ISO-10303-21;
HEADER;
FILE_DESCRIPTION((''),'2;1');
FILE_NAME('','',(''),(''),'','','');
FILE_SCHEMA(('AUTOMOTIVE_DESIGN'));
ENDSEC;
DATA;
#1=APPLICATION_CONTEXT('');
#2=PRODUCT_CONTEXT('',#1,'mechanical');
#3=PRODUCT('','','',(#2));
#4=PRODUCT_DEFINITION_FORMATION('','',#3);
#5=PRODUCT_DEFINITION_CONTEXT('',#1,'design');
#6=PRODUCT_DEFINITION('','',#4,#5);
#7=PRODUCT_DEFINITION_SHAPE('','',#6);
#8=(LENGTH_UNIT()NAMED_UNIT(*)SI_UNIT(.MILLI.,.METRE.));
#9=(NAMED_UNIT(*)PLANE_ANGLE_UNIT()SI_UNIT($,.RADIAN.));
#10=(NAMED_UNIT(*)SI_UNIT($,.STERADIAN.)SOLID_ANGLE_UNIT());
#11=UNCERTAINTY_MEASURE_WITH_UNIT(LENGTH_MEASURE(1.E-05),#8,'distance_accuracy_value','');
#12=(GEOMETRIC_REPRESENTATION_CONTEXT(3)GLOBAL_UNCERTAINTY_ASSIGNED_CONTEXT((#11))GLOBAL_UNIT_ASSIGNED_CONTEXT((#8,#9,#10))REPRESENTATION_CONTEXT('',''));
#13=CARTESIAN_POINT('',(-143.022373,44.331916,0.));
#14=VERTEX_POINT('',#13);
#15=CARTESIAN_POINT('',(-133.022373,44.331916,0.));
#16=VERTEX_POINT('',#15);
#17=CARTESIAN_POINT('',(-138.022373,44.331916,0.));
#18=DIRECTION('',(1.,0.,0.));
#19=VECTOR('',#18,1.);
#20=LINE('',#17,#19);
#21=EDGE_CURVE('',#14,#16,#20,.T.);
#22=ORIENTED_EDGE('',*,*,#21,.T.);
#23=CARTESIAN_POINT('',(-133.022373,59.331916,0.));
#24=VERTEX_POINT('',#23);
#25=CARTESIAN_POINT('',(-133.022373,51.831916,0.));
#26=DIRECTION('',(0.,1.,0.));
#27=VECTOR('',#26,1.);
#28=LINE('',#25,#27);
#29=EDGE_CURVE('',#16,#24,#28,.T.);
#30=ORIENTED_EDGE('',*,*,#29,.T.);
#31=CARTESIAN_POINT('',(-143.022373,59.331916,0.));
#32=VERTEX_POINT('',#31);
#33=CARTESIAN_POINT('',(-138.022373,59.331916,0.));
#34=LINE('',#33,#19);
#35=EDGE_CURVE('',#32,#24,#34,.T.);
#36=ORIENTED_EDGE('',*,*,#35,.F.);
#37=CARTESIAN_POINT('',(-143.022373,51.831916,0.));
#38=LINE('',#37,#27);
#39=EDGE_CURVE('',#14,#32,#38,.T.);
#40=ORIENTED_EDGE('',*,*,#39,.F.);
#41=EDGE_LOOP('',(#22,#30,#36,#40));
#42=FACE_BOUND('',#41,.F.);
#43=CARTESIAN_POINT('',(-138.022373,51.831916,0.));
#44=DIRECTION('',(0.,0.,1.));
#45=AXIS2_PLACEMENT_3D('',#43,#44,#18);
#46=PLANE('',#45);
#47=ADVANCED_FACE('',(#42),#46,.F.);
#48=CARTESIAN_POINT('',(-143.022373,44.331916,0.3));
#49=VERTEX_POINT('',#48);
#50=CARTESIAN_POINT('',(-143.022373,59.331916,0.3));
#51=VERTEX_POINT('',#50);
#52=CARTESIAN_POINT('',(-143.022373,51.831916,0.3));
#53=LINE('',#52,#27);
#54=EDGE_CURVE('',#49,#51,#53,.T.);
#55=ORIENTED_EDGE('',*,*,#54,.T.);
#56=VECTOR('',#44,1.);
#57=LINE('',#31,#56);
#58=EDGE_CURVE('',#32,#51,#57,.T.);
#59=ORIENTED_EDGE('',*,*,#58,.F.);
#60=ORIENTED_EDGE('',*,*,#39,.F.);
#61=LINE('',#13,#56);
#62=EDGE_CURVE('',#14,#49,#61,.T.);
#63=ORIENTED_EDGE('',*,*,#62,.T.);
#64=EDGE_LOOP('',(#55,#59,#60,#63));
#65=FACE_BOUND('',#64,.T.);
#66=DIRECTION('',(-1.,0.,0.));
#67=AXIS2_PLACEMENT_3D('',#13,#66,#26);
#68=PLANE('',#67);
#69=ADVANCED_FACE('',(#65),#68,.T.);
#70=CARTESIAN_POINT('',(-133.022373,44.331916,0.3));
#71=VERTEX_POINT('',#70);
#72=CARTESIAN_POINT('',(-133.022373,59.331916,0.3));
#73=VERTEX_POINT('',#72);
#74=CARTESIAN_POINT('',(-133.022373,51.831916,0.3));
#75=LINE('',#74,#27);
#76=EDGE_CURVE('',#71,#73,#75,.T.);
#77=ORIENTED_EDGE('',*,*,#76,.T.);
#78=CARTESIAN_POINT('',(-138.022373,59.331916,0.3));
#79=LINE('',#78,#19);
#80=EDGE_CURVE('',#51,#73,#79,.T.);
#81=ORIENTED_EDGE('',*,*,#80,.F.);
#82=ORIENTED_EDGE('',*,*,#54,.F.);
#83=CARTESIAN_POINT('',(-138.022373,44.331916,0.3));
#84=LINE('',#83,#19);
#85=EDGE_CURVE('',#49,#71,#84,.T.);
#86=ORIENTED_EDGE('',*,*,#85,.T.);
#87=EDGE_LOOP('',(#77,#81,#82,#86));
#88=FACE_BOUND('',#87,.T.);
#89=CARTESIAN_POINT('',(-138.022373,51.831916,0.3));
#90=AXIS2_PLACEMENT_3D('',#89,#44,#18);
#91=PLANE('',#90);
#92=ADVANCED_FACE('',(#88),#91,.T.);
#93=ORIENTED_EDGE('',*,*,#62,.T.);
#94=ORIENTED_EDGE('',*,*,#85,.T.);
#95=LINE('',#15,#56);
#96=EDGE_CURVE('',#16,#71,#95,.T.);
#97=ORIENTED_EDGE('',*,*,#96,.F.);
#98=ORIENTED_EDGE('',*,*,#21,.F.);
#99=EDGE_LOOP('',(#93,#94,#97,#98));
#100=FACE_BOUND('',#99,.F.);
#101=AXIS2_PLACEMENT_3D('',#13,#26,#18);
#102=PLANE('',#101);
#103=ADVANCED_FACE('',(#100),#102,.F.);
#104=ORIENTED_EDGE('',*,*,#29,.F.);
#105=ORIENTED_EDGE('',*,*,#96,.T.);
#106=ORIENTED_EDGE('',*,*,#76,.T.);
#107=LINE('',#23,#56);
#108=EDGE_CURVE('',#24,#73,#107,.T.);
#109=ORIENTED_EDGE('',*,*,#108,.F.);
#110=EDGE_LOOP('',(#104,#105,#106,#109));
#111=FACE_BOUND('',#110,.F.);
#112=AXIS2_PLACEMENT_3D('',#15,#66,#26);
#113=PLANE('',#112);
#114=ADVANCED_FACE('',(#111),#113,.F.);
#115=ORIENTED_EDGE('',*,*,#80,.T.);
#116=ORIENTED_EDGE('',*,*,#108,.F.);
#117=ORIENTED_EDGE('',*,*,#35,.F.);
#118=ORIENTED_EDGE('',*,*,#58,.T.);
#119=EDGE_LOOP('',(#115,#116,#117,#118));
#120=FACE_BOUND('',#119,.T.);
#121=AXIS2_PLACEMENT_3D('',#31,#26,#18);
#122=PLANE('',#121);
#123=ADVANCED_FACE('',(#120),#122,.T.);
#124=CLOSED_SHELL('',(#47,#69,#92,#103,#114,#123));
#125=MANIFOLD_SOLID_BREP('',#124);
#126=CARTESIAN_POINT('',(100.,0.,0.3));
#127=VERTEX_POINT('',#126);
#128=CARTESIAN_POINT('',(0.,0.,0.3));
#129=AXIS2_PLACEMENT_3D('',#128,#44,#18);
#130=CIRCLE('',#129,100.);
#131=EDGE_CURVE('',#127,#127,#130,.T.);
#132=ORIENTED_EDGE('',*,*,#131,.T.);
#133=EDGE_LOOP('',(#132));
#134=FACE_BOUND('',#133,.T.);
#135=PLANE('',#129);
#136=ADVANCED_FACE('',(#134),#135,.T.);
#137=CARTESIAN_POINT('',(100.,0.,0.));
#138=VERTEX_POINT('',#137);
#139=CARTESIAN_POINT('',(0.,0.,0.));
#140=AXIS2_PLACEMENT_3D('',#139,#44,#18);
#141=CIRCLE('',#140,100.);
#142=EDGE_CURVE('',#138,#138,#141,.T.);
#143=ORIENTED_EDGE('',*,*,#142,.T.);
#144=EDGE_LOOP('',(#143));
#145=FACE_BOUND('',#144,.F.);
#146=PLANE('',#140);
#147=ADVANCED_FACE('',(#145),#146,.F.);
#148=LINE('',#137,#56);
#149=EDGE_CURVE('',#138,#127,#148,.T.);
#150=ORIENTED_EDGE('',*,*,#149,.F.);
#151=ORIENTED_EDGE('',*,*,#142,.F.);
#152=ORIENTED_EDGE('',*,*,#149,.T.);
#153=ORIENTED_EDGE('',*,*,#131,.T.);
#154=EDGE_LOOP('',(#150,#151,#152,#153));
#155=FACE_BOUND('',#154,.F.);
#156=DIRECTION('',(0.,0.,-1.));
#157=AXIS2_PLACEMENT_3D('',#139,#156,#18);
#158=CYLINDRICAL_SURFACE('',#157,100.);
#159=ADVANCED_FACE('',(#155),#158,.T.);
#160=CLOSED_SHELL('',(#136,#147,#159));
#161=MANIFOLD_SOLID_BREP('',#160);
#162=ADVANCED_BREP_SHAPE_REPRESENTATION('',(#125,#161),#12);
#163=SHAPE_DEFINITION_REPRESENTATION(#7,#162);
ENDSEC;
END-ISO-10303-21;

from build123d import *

# Parameters (mm, degrees)
F0_R     = 100
F0_W     = 10
F0_H     = 15
F1_DEPTH = 0.3


with BuildPart() as f1:
    # F0 (on Top) → F1 (new body)
    with BuildSketch(Plane.XY):
        Circle(F0_R)
        with Locations((-138.022373, 51.831916)):
            Rectangle(F0_W, F0_H)
    extrude(amount=F1_DEPTH)


solid = f1.part
